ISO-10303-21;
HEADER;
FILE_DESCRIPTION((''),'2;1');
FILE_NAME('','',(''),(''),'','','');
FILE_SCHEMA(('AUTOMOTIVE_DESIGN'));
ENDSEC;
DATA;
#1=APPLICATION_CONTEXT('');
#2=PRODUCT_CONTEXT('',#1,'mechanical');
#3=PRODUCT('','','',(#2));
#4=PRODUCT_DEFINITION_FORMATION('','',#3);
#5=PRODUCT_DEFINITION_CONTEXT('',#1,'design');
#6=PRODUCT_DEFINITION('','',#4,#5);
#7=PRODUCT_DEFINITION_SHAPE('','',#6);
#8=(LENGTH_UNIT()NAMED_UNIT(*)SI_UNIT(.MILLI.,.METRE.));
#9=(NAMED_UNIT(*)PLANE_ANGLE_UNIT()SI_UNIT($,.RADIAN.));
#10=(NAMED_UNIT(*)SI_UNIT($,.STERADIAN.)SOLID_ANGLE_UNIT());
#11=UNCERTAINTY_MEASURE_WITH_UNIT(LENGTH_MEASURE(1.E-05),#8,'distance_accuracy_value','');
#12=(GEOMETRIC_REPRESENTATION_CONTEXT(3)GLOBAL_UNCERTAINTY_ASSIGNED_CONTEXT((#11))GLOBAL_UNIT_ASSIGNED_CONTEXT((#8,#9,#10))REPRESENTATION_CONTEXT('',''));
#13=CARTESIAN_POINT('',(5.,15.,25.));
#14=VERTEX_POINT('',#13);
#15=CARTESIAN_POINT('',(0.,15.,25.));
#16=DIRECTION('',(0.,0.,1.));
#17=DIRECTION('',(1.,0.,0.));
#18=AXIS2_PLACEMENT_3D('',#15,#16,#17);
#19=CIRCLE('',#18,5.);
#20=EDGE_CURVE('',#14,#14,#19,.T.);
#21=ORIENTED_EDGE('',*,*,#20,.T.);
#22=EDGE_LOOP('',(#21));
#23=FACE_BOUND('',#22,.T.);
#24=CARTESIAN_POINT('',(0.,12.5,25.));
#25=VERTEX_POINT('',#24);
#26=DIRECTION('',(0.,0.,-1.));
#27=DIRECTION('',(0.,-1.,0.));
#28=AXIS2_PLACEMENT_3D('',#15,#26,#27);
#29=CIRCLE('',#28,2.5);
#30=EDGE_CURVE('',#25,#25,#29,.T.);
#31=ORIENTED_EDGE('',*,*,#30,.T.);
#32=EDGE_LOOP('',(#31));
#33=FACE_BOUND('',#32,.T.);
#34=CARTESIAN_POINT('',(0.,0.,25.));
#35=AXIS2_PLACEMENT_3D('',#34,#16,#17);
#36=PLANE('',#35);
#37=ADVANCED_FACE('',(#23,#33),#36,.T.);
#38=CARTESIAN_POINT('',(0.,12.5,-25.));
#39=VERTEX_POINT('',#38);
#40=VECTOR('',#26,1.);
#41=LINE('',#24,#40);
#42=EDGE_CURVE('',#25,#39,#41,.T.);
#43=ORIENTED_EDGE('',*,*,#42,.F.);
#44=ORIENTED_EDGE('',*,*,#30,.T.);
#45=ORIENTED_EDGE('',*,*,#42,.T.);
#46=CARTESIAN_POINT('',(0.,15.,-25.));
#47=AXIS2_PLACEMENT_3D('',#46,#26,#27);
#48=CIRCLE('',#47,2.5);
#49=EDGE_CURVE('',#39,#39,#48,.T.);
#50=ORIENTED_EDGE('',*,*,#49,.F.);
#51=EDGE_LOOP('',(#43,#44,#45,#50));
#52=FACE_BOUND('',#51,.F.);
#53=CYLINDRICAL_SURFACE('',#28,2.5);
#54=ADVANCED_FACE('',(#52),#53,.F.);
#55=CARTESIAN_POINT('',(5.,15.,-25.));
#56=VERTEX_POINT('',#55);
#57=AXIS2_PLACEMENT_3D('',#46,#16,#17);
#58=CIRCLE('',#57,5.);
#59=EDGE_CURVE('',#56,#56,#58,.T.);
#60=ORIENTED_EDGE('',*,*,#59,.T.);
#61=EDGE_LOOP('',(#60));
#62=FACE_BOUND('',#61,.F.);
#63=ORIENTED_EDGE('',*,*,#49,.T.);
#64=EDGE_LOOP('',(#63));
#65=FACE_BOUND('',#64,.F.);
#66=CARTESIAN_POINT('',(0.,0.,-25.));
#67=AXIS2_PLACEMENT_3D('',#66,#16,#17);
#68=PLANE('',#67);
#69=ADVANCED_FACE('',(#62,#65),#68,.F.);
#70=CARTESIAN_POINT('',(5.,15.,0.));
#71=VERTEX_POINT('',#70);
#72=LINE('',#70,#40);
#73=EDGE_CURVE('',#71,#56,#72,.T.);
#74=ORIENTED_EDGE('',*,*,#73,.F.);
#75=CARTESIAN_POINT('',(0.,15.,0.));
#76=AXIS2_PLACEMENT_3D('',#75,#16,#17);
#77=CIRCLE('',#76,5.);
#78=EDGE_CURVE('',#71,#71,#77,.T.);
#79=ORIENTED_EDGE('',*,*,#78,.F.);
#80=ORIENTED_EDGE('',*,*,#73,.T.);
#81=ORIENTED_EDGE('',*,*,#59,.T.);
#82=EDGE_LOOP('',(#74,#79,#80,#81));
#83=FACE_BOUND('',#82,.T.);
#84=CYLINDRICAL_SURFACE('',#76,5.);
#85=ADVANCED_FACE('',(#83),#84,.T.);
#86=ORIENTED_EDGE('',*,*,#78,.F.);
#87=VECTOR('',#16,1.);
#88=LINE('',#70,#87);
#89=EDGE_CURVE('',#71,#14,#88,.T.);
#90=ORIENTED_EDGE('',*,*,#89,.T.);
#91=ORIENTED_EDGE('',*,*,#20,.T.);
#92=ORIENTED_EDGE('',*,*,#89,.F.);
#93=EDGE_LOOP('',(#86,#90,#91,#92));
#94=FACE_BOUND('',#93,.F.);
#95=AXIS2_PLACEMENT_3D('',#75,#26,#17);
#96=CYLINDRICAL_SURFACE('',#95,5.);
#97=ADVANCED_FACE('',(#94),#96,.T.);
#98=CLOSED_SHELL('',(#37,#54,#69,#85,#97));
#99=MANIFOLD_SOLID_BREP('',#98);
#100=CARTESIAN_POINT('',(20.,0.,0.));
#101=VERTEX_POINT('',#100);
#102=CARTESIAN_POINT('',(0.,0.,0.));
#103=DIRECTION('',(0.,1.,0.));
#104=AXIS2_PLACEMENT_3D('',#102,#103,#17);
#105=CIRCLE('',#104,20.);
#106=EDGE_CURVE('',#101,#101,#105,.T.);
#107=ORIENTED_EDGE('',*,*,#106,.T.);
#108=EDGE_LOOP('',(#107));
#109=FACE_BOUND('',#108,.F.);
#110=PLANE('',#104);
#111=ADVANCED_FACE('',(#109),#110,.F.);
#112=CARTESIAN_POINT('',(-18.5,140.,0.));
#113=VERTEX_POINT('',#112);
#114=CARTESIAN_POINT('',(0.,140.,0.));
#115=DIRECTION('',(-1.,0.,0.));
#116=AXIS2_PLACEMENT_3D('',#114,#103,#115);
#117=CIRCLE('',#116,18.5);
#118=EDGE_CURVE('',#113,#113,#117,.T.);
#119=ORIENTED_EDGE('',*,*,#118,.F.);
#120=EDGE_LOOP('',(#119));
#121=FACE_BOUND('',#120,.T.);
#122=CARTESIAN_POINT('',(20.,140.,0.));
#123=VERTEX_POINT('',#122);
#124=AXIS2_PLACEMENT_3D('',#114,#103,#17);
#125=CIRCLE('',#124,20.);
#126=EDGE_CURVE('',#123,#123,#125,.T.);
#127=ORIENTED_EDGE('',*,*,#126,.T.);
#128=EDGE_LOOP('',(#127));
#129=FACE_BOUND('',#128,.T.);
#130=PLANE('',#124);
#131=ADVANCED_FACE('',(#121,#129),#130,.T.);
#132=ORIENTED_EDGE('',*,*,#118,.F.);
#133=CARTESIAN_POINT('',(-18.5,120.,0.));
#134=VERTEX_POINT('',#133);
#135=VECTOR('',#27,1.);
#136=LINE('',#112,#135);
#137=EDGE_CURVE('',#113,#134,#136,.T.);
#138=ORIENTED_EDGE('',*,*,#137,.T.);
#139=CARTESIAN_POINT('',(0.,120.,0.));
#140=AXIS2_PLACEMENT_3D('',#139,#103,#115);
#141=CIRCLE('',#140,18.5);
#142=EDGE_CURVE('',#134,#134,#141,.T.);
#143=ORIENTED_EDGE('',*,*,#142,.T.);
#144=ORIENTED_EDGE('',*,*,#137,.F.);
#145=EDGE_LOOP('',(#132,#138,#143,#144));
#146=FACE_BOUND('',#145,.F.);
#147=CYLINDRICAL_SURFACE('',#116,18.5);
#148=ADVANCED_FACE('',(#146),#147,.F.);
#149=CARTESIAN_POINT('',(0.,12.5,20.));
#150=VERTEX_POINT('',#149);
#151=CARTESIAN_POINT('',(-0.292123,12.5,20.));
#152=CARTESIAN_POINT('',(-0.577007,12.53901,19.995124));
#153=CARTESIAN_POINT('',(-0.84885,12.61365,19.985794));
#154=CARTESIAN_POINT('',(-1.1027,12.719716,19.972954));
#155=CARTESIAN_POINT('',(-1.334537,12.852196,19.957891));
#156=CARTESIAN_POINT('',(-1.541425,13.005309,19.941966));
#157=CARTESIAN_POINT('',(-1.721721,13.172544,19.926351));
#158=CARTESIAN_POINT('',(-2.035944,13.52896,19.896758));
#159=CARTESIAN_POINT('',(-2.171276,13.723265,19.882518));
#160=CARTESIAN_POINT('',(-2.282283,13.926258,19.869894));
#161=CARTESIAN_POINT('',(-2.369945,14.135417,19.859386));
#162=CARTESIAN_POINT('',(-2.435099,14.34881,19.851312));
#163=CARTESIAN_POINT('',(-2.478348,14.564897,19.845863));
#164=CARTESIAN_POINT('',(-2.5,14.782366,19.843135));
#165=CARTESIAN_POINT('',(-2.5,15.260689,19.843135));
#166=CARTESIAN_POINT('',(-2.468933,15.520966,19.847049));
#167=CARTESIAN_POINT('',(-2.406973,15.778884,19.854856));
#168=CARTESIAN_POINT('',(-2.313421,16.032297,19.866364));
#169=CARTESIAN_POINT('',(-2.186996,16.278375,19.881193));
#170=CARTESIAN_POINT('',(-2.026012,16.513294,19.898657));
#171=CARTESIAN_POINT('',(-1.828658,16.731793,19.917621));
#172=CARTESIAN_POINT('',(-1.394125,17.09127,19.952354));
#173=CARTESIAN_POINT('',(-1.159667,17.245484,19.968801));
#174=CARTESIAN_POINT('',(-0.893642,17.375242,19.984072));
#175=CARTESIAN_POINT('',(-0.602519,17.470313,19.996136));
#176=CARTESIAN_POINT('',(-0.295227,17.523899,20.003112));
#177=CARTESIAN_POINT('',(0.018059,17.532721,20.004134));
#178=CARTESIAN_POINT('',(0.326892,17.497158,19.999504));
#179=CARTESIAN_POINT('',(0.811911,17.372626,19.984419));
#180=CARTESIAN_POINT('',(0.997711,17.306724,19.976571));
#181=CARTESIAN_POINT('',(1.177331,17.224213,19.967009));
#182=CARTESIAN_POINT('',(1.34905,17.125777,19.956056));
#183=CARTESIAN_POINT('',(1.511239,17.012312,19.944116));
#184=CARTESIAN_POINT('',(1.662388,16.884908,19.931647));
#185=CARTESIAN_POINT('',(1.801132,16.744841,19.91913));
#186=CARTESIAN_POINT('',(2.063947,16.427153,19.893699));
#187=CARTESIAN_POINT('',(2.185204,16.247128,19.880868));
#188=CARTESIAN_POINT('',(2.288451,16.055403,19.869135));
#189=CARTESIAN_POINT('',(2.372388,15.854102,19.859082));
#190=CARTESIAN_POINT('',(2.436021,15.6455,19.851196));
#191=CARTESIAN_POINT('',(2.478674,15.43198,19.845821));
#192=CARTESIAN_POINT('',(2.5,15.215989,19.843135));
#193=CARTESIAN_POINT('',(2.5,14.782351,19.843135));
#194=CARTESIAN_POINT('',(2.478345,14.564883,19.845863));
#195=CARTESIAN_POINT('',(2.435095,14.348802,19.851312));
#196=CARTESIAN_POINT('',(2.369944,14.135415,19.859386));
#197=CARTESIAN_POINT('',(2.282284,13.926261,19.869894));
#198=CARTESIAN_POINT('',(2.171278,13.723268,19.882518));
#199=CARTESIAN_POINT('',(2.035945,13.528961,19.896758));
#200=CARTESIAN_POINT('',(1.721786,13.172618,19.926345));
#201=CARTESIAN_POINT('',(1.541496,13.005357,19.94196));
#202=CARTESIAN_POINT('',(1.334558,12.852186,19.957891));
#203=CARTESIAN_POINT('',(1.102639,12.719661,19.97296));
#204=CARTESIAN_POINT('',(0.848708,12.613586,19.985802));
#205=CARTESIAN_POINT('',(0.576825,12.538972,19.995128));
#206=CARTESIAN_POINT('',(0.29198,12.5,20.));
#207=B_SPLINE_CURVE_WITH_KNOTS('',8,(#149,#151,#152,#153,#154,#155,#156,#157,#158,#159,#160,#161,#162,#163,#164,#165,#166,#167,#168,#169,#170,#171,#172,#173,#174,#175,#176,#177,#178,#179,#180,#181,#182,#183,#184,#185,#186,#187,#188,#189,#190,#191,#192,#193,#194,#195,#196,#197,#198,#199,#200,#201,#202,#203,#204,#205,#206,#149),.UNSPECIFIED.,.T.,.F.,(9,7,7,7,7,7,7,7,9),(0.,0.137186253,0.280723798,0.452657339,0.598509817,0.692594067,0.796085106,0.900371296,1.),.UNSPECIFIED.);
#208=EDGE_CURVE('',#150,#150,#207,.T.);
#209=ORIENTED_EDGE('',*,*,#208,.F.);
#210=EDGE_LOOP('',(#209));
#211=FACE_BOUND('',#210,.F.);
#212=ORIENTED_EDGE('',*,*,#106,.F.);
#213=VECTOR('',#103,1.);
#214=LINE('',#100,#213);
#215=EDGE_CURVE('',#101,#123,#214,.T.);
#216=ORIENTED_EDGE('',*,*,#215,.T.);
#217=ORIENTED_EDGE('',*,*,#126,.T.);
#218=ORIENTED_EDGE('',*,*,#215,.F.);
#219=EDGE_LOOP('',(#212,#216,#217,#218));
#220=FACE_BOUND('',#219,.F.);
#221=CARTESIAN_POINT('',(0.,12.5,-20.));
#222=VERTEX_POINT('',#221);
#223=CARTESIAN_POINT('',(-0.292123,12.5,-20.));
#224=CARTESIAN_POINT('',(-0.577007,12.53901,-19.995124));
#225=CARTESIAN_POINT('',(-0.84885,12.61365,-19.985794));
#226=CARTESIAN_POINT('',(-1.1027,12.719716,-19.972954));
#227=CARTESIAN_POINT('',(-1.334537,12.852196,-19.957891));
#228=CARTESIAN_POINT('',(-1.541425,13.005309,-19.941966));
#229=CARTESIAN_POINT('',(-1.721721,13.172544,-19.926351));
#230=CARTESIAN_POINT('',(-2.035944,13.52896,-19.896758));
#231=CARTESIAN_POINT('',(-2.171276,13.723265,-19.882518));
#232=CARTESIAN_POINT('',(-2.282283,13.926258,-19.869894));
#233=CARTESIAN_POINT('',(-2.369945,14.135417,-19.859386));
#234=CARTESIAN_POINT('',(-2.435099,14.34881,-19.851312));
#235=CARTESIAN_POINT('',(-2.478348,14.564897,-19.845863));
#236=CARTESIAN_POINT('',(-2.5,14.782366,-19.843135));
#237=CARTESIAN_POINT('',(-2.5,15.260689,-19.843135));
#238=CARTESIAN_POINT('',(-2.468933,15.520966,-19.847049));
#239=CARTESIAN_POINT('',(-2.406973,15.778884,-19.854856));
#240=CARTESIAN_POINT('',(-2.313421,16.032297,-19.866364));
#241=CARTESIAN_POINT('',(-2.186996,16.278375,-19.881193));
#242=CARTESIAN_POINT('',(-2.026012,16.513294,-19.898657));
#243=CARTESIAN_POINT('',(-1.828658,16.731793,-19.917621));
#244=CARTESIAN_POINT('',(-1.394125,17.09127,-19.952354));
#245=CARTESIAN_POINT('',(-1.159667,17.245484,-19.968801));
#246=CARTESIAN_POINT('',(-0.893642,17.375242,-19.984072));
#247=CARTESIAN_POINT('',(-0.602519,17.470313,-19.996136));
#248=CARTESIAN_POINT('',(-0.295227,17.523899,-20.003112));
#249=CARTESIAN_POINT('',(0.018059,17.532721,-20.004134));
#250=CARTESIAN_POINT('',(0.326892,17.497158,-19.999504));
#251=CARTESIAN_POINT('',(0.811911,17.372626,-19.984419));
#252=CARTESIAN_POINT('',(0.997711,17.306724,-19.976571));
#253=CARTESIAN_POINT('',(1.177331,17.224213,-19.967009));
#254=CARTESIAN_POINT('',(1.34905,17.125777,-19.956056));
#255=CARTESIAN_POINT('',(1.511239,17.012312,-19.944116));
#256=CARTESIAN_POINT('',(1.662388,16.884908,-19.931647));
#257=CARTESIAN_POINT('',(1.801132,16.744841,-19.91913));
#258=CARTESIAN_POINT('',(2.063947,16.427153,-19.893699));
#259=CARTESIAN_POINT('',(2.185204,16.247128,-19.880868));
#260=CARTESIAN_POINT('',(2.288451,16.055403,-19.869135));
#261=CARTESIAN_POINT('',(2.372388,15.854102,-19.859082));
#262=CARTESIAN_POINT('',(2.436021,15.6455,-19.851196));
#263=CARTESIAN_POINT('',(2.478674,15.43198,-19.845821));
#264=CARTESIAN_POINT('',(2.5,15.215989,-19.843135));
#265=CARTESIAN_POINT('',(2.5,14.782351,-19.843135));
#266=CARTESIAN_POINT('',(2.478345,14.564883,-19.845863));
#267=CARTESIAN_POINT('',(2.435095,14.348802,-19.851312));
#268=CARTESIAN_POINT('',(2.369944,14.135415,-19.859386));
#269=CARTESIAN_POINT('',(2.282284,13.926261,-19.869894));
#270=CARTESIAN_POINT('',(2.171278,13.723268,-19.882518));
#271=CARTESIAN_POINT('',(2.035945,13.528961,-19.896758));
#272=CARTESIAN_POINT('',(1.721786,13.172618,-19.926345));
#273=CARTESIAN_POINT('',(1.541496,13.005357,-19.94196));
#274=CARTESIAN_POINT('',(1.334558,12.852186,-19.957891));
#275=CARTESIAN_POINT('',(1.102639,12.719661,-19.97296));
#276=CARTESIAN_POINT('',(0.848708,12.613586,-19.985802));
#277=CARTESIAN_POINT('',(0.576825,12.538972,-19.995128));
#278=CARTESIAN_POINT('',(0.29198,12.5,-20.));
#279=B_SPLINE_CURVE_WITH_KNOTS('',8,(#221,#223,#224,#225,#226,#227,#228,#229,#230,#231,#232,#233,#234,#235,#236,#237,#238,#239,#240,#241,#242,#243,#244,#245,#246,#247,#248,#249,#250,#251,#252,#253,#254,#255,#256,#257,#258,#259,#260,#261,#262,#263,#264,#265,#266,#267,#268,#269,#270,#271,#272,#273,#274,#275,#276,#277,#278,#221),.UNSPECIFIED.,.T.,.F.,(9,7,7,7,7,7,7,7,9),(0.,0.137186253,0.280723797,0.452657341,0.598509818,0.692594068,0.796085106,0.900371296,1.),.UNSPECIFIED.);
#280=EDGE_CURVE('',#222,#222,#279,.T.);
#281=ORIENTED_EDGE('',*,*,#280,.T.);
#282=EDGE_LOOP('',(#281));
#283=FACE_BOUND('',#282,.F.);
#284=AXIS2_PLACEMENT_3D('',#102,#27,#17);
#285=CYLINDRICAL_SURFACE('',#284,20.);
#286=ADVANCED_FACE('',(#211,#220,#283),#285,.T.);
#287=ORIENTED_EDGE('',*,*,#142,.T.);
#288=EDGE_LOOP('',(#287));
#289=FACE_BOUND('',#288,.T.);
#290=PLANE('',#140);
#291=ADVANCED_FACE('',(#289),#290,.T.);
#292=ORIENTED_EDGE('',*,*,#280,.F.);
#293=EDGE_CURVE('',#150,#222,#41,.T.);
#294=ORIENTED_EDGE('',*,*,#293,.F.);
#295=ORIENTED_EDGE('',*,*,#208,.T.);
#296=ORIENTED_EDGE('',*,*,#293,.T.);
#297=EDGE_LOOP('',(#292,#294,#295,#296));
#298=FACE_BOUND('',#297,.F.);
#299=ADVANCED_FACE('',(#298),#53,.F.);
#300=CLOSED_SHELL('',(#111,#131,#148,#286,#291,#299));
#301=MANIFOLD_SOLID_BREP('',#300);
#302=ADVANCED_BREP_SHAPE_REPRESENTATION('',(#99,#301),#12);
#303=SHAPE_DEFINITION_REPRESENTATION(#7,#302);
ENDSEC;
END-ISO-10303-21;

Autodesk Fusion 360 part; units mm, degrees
sketch "Sketch1" plane through (0, 0, 0) normal (0, 1, 0) x (1, 0, 0)
  circle A0 centre (0, 0) radius 10
  dimension "d1" = 20
sketch "Sketch2" plane through (0, 0, 0) normal (0, 1, 0) x (1, 0, 0)
sketch "Sketch3" plane through (0, 0, 0) normal (0, 0, 1) x (1, 0, 0)
  circle A0 centre (0, 15) radius 5
  dimension "d10" = 10
sketch "Sketch4" plane through (0, 0, 0) normal (0, 1, 0) x (1, 0, 0)
  circle A0 centre (0, 0) radius 20
  dimension "d20" = 40
extrude "Extrude4" add sketch "Sketch4" along normal blind 140 makes body 1
sketch "Sketch5" plane through (0, 140, 0) normal (0, 1, 0) x (-1, 0, 0)
  circle A0 centre (0, 0) radius 20
  circle A1 centre (0, 0) radius 18.5
  dimension "d23" = 37
extrude "Extrude5" cut sketch "Sketch5" against normal blind 20 contours A1 bodies 1
sketch "Sketch6" plane through (0, 0, 0) normal (0, 0, 1) x (1, 0, 0)
  circle A0 centre (0, 15) radius 5
  dimension "d26" = 10
extrude "Extrude6" add sketch "Sketch6" along normal blind 25 and the other way blind 25 separate body makes body 2
sketch "Sketch7" plane through (0, 0, 25) normal (0, 0, 1) x (1, 0, 0)
  circle A0 centre (0, 15) radius 5
hole "Hole3" at (0, 15, 25) direction (0, 0, -1) diameter 5 depth 50 tip angle 118 bodies 1 2
